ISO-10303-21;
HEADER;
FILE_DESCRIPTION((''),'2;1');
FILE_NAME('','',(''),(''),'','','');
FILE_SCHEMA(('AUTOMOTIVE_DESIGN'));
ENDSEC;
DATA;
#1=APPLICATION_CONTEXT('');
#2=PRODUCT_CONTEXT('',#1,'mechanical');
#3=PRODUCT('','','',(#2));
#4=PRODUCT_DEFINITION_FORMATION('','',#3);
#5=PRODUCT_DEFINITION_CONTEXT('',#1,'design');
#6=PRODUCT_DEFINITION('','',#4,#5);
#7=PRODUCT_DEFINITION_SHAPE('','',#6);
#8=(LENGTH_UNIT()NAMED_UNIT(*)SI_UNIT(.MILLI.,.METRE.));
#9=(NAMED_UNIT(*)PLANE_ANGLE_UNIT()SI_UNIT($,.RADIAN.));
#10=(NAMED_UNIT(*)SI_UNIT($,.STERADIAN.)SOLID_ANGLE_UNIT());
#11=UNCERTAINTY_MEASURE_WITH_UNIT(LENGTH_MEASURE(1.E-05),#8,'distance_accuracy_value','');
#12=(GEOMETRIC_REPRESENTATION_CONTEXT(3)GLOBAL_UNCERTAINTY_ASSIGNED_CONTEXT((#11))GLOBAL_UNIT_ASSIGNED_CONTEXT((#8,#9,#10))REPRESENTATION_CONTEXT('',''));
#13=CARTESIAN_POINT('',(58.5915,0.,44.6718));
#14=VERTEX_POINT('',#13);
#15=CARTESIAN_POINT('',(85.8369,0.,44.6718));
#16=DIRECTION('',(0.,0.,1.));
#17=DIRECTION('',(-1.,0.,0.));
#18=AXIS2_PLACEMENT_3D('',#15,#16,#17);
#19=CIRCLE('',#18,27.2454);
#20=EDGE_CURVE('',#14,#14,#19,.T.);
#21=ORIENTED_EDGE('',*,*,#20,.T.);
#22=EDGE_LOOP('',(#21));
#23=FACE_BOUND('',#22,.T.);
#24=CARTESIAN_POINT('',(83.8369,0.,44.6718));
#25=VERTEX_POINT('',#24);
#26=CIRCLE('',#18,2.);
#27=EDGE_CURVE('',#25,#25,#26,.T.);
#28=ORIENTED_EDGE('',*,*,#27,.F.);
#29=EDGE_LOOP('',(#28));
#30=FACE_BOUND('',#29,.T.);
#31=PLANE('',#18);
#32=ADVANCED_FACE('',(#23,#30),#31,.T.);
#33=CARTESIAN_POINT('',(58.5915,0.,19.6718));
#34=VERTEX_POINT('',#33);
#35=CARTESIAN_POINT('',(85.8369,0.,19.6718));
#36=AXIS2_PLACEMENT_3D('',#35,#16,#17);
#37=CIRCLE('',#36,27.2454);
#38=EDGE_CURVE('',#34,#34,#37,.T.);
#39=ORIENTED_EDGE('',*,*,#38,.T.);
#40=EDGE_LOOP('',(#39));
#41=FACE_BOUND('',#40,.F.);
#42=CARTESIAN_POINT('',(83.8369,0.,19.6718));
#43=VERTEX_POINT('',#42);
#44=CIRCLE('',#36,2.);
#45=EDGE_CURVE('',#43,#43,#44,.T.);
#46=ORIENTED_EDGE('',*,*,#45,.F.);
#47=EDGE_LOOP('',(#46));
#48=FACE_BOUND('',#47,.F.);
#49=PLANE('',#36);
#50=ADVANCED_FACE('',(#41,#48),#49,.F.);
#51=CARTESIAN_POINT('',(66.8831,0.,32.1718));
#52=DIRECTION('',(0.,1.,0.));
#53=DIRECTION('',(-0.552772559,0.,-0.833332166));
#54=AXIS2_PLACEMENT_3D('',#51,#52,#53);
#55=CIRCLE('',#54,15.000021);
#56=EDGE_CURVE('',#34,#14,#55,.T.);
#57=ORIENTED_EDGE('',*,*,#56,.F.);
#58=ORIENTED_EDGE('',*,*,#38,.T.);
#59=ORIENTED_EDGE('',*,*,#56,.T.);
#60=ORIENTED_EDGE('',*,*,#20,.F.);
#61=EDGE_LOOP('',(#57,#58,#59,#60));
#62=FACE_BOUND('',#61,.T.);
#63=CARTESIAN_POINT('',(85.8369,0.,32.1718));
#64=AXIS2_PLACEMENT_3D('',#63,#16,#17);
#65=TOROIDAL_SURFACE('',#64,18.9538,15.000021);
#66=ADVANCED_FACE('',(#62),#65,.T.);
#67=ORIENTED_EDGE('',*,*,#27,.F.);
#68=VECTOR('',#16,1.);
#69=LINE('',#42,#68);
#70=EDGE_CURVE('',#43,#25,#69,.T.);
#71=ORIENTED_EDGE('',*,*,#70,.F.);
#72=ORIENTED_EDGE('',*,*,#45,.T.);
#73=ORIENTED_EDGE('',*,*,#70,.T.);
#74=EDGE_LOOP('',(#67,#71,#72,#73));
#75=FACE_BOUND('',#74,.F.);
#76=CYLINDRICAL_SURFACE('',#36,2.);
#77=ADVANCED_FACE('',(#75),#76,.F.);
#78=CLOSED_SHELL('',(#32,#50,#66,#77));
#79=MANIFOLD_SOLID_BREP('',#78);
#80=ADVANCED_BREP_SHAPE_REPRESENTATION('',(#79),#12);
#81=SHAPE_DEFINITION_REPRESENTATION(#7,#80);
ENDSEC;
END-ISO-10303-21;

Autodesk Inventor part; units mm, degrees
ref_plane "YZ Plane" through (0, 0, 0) normal (1, 0, 0) x (0, 1, 0)
ref_plane "XZ Plane" through (0, 0, 0) normal (0, 1, 0) x (-1, 0, 0)
ref_plane "XY Plane" through (0, 0, 0) normal (0, 0, 1) x (1, 0, 0)
sketch "Sketch1" plane through (0, 0, 0) normal (0, 1, 0) x (-1, 0, 0)
  line L0 (-58.5915, 19.6718) -> (-85.8369, 19.6718)
  line L1 (-58.5915, 44.6718) -> (-85.8369, 44.6718)
  line L2 (-85.8369, 19.6718) -> (-85.8369, 44.6718)
  line L3 (-83.8369, 19.6718) -> (-83.8369, 44.6718)
  arc A0 (-58.5915, 19.6718) -> (-58.5915, 44.6718) centre (-66.8831, 32.1718) ccw
  point P0 (0, 0)
  dimension "d2" = 27.2454
  dimension "d5" = 2
  dimension "d8" = 27.2454
  dimension "d12" = 25
revolve "Revolution1" add sketch "Sketch1" angle 360 about axis through (85.8369, 0, 19.6718) along (0, 0, 1) contours L0 L3 L1 A0
properties part number "Llanta"
